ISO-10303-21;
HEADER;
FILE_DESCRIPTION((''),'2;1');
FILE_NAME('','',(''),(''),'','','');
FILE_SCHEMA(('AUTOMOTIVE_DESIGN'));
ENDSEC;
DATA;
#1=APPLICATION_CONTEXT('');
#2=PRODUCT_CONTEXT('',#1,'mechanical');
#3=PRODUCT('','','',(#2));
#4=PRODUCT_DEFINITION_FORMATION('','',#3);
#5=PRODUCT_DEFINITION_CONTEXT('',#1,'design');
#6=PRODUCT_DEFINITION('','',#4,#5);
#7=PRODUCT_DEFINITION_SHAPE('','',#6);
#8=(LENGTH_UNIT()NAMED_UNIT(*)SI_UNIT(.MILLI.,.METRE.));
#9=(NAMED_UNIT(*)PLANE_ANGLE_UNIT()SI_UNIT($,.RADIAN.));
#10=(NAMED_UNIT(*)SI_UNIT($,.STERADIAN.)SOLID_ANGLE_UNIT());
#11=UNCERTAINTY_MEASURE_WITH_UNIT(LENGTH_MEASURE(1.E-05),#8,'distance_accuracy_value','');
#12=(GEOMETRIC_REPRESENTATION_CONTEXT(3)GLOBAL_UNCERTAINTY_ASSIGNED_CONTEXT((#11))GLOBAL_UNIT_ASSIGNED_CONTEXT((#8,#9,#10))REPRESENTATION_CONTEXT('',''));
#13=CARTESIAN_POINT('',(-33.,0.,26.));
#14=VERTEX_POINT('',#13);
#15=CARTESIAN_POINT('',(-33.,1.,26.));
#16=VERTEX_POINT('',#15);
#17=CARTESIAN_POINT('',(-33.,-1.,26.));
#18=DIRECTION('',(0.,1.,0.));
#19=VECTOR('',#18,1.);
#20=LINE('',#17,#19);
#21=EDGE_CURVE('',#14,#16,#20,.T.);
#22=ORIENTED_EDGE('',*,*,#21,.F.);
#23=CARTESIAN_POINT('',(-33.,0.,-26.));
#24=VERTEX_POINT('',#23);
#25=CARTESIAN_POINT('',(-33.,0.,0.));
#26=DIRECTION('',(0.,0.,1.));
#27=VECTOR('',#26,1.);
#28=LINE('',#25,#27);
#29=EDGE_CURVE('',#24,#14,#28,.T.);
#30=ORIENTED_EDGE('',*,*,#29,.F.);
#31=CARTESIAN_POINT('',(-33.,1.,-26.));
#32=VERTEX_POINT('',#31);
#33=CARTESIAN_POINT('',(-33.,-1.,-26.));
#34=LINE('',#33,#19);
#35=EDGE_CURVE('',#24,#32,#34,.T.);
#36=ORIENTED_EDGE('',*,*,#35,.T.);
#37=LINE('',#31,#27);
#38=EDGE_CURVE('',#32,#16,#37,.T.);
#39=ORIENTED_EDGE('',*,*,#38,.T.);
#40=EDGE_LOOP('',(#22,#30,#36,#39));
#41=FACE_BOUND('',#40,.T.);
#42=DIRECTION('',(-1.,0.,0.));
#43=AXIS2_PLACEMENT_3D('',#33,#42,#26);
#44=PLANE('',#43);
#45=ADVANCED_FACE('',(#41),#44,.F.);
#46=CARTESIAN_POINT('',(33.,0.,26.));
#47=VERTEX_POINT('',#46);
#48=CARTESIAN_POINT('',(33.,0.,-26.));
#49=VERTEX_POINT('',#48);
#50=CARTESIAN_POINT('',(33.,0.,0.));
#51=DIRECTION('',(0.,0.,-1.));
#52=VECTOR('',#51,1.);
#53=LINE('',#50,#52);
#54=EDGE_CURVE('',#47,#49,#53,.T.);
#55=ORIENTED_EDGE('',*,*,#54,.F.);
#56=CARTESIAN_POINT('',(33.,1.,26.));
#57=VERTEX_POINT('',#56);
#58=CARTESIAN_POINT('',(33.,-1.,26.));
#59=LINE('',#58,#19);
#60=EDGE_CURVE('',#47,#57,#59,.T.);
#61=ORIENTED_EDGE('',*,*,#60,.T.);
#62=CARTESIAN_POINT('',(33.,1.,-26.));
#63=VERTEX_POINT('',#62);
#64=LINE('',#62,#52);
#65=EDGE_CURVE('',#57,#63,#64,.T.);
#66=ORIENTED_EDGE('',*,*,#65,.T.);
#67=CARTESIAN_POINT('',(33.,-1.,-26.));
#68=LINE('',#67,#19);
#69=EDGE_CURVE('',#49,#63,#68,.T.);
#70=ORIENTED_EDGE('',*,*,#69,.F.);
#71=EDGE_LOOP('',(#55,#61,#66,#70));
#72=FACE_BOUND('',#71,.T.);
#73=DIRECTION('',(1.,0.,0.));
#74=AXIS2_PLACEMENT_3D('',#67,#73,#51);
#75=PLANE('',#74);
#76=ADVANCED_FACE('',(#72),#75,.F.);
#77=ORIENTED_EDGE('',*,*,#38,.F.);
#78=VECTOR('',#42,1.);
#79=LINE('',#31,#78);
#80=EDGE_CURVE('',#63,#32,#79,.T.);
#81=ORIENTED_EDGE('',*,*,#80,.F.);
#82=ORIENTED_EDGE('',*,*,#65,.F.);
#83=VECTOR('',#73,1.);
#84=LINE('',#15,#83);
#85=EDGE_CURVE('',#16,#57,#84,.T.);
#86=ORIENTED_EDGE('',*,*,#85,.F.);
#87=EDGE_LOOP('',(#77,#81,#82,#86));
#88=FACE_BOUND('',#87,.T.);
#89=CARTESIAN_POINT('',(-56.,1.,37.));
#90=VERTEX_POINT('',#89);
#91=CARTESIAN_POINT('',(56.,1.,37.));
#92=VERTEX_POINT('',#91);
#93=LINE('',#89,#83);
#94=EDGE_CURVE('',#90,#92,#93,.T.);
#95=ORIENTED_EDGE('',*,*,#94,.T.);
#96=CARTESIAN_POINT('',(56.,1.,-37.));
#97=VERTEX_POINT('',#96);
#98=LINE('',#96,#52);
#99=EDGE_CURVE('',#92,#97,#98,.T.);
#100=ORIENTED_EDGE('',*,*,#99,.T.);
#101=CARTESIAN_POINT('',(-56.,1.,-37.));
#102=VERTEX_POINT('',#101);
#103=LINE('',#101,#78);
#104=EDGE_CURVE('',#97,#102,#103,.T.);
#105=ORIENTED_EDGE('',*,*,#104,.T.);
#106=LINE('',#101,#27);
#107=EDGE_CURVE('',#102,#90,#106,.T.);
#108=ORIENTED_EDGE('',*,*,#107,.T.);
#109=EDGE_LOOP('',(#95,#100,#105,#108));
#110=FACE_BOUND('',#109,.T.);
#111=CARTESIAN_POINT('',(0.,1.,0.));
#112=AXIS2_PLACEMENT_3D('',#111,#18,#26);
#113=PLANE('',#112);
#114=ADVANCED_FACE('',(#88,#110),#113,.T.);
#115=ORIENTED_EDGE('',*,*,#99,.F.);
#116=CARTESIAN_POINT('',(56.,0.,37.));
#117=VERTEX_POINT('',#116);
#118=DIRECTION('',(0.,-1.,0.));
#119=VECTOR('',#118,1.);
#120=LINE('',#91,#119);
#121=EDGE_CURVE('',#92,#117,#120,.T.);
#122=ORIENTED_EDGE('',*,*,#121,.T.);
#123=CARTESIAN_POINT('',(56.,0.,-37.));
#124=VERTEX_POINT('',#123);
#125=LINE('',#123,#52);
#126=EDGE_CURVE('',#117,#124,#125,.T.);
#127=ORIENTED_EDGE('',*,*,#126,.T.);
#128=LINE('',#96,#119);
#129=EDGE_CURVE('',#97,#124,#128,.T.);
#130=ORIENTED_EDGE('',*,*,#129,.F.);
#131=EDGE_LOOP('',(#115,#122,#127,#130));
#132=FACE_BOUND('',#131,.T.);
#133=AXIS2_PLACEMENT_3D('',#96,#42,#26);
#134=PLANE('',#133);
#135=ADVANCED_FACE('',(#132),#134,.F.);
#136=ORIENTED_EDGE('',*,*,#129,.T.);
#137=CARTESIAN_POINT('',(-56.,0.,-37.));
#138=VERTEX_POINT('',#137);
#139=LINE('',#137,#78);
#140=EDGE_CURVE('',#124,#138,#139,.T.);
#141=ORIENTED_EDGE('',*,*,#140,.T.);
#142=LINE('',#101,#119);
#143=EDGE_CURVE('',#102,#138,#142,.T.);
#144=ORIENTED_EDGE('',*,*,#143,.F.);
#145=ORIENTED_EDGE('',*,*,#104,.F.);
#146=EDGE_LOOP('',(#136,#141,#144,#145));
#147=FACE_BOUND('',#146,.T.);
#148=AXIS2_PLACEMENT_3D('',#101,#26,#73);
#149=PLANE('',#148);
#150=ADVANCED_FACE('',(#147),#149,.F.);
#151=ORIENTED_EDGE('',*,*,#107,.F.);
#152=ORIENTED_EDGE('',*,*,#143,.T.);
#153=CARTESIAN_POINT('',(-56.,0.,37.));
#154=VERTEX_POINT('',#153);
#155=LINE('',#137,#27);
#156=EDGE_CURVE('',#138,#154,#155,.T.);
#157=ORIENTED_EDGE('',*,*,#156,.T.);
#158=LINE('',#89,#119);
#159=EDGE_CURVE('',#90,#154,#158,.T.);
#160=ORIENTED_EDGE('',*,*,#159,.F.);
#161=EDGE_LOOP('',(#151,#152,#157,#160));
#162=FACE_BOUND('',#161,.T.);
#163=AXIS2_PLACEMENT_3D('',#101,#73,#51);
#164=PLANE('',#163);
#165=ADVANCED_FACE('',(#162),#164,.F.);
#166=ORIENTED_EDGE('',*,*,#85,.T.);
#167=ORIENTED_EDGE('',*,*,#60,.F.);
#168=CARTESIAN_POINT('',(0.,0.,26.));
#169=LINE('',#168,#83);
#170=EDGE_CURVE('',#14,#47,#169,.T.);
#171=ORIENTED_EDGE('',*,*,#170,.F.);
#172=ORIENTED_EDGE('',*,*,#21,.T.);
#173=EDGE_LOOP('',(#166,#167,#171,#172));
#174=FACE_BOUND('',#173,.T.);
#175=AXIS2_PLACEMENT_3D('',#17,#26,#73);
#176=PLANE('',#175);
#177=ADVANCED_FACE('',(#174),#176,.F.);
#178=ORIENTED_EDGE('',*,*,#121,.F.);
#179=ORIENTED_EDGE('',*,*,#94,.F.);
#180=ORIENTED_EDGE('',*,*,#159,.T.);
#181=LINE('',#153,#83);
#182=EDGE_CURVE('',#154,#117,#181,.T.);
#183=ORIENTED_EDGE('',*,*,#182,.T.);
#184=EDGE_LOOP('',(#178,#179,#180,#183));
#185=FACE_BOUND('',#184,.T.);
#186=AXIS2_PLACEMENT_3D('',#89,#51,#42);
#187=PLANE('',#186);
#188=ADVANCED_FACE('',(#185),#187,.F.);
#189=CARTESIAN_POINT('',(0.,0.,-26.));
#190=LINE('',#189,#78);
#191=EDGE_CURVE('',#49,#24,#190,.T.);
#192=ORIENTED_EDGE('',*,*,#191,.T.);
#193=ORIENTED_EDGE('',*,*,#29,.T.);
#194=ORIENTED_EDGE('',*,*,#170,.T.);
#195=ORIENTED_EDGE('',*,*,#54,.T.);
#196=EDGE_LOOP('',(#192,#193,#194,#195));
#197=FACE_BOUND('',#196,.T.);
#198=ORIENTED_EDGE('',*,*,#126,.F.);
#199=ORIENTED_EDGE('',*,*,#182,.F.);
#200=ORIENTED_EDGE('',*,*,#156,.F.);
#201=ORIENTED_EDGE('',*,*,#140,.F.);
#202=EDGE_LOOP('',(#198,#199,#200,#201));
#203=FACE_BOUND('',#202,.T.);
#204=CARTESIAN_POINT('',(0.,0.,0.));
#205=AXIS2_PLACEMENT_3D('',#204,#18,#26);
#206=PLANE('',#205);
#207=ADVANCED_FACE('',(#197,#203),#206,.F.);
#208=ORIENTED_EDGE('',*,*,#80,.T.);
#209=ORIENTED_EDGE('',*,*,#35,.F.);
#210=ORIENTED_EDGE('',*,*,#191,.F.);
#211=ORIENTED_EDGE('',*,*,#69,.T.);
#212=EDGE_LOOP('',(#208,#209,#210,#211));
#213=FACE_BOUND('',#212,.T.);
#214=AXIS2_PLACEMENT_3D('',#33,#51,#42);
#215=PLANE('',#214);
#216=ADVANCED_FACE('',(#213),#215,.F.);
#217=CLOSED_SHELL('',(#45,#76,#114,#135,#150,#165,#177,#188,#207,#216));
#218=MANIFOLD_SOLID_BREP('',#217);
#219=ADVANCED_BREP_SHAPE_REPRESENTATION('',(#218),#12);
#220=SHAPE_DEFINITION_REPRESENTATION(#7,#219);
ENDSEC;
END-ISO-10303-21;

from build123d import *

# Parameters (mm, degrees)
SKETCH1_W           = 112
SKETCH1_H           = 74
BOSS_EXTRUDE1_DEPTH = 1
SKETCH5_W           = 66
SKETCH5_H           = 52
CUT_EXTRUDE2_DEPTH  = 2


with BuildPart() as part:
    # Sketch1 → Boss-Extrude1 (new body)
    with BuildSketch(Plane(origin=(0, 0, 0), x_dir=(1, 0, 0), z_dir=(0, 1, 0))):
        Rectangle(SKETCH1_W, SKETCH1_H)
    extrude(amount=BOSS_EXTRUDE1_DEPTH)

    # Sketch5 → Cut-Extrude2 (cut)
    with BuildSketch(Plane(origin=(0, 1, 0), x_dir=(1, 0, 0), z_dir=(0, 1, 0))):
        Rectangle(SKETCH5_W, SKETCH5_H)
    extrude(amount=-CUT_EXTRUDE2_DEPTH, mode=Mode.SUBTRACT)


solid = part.part
